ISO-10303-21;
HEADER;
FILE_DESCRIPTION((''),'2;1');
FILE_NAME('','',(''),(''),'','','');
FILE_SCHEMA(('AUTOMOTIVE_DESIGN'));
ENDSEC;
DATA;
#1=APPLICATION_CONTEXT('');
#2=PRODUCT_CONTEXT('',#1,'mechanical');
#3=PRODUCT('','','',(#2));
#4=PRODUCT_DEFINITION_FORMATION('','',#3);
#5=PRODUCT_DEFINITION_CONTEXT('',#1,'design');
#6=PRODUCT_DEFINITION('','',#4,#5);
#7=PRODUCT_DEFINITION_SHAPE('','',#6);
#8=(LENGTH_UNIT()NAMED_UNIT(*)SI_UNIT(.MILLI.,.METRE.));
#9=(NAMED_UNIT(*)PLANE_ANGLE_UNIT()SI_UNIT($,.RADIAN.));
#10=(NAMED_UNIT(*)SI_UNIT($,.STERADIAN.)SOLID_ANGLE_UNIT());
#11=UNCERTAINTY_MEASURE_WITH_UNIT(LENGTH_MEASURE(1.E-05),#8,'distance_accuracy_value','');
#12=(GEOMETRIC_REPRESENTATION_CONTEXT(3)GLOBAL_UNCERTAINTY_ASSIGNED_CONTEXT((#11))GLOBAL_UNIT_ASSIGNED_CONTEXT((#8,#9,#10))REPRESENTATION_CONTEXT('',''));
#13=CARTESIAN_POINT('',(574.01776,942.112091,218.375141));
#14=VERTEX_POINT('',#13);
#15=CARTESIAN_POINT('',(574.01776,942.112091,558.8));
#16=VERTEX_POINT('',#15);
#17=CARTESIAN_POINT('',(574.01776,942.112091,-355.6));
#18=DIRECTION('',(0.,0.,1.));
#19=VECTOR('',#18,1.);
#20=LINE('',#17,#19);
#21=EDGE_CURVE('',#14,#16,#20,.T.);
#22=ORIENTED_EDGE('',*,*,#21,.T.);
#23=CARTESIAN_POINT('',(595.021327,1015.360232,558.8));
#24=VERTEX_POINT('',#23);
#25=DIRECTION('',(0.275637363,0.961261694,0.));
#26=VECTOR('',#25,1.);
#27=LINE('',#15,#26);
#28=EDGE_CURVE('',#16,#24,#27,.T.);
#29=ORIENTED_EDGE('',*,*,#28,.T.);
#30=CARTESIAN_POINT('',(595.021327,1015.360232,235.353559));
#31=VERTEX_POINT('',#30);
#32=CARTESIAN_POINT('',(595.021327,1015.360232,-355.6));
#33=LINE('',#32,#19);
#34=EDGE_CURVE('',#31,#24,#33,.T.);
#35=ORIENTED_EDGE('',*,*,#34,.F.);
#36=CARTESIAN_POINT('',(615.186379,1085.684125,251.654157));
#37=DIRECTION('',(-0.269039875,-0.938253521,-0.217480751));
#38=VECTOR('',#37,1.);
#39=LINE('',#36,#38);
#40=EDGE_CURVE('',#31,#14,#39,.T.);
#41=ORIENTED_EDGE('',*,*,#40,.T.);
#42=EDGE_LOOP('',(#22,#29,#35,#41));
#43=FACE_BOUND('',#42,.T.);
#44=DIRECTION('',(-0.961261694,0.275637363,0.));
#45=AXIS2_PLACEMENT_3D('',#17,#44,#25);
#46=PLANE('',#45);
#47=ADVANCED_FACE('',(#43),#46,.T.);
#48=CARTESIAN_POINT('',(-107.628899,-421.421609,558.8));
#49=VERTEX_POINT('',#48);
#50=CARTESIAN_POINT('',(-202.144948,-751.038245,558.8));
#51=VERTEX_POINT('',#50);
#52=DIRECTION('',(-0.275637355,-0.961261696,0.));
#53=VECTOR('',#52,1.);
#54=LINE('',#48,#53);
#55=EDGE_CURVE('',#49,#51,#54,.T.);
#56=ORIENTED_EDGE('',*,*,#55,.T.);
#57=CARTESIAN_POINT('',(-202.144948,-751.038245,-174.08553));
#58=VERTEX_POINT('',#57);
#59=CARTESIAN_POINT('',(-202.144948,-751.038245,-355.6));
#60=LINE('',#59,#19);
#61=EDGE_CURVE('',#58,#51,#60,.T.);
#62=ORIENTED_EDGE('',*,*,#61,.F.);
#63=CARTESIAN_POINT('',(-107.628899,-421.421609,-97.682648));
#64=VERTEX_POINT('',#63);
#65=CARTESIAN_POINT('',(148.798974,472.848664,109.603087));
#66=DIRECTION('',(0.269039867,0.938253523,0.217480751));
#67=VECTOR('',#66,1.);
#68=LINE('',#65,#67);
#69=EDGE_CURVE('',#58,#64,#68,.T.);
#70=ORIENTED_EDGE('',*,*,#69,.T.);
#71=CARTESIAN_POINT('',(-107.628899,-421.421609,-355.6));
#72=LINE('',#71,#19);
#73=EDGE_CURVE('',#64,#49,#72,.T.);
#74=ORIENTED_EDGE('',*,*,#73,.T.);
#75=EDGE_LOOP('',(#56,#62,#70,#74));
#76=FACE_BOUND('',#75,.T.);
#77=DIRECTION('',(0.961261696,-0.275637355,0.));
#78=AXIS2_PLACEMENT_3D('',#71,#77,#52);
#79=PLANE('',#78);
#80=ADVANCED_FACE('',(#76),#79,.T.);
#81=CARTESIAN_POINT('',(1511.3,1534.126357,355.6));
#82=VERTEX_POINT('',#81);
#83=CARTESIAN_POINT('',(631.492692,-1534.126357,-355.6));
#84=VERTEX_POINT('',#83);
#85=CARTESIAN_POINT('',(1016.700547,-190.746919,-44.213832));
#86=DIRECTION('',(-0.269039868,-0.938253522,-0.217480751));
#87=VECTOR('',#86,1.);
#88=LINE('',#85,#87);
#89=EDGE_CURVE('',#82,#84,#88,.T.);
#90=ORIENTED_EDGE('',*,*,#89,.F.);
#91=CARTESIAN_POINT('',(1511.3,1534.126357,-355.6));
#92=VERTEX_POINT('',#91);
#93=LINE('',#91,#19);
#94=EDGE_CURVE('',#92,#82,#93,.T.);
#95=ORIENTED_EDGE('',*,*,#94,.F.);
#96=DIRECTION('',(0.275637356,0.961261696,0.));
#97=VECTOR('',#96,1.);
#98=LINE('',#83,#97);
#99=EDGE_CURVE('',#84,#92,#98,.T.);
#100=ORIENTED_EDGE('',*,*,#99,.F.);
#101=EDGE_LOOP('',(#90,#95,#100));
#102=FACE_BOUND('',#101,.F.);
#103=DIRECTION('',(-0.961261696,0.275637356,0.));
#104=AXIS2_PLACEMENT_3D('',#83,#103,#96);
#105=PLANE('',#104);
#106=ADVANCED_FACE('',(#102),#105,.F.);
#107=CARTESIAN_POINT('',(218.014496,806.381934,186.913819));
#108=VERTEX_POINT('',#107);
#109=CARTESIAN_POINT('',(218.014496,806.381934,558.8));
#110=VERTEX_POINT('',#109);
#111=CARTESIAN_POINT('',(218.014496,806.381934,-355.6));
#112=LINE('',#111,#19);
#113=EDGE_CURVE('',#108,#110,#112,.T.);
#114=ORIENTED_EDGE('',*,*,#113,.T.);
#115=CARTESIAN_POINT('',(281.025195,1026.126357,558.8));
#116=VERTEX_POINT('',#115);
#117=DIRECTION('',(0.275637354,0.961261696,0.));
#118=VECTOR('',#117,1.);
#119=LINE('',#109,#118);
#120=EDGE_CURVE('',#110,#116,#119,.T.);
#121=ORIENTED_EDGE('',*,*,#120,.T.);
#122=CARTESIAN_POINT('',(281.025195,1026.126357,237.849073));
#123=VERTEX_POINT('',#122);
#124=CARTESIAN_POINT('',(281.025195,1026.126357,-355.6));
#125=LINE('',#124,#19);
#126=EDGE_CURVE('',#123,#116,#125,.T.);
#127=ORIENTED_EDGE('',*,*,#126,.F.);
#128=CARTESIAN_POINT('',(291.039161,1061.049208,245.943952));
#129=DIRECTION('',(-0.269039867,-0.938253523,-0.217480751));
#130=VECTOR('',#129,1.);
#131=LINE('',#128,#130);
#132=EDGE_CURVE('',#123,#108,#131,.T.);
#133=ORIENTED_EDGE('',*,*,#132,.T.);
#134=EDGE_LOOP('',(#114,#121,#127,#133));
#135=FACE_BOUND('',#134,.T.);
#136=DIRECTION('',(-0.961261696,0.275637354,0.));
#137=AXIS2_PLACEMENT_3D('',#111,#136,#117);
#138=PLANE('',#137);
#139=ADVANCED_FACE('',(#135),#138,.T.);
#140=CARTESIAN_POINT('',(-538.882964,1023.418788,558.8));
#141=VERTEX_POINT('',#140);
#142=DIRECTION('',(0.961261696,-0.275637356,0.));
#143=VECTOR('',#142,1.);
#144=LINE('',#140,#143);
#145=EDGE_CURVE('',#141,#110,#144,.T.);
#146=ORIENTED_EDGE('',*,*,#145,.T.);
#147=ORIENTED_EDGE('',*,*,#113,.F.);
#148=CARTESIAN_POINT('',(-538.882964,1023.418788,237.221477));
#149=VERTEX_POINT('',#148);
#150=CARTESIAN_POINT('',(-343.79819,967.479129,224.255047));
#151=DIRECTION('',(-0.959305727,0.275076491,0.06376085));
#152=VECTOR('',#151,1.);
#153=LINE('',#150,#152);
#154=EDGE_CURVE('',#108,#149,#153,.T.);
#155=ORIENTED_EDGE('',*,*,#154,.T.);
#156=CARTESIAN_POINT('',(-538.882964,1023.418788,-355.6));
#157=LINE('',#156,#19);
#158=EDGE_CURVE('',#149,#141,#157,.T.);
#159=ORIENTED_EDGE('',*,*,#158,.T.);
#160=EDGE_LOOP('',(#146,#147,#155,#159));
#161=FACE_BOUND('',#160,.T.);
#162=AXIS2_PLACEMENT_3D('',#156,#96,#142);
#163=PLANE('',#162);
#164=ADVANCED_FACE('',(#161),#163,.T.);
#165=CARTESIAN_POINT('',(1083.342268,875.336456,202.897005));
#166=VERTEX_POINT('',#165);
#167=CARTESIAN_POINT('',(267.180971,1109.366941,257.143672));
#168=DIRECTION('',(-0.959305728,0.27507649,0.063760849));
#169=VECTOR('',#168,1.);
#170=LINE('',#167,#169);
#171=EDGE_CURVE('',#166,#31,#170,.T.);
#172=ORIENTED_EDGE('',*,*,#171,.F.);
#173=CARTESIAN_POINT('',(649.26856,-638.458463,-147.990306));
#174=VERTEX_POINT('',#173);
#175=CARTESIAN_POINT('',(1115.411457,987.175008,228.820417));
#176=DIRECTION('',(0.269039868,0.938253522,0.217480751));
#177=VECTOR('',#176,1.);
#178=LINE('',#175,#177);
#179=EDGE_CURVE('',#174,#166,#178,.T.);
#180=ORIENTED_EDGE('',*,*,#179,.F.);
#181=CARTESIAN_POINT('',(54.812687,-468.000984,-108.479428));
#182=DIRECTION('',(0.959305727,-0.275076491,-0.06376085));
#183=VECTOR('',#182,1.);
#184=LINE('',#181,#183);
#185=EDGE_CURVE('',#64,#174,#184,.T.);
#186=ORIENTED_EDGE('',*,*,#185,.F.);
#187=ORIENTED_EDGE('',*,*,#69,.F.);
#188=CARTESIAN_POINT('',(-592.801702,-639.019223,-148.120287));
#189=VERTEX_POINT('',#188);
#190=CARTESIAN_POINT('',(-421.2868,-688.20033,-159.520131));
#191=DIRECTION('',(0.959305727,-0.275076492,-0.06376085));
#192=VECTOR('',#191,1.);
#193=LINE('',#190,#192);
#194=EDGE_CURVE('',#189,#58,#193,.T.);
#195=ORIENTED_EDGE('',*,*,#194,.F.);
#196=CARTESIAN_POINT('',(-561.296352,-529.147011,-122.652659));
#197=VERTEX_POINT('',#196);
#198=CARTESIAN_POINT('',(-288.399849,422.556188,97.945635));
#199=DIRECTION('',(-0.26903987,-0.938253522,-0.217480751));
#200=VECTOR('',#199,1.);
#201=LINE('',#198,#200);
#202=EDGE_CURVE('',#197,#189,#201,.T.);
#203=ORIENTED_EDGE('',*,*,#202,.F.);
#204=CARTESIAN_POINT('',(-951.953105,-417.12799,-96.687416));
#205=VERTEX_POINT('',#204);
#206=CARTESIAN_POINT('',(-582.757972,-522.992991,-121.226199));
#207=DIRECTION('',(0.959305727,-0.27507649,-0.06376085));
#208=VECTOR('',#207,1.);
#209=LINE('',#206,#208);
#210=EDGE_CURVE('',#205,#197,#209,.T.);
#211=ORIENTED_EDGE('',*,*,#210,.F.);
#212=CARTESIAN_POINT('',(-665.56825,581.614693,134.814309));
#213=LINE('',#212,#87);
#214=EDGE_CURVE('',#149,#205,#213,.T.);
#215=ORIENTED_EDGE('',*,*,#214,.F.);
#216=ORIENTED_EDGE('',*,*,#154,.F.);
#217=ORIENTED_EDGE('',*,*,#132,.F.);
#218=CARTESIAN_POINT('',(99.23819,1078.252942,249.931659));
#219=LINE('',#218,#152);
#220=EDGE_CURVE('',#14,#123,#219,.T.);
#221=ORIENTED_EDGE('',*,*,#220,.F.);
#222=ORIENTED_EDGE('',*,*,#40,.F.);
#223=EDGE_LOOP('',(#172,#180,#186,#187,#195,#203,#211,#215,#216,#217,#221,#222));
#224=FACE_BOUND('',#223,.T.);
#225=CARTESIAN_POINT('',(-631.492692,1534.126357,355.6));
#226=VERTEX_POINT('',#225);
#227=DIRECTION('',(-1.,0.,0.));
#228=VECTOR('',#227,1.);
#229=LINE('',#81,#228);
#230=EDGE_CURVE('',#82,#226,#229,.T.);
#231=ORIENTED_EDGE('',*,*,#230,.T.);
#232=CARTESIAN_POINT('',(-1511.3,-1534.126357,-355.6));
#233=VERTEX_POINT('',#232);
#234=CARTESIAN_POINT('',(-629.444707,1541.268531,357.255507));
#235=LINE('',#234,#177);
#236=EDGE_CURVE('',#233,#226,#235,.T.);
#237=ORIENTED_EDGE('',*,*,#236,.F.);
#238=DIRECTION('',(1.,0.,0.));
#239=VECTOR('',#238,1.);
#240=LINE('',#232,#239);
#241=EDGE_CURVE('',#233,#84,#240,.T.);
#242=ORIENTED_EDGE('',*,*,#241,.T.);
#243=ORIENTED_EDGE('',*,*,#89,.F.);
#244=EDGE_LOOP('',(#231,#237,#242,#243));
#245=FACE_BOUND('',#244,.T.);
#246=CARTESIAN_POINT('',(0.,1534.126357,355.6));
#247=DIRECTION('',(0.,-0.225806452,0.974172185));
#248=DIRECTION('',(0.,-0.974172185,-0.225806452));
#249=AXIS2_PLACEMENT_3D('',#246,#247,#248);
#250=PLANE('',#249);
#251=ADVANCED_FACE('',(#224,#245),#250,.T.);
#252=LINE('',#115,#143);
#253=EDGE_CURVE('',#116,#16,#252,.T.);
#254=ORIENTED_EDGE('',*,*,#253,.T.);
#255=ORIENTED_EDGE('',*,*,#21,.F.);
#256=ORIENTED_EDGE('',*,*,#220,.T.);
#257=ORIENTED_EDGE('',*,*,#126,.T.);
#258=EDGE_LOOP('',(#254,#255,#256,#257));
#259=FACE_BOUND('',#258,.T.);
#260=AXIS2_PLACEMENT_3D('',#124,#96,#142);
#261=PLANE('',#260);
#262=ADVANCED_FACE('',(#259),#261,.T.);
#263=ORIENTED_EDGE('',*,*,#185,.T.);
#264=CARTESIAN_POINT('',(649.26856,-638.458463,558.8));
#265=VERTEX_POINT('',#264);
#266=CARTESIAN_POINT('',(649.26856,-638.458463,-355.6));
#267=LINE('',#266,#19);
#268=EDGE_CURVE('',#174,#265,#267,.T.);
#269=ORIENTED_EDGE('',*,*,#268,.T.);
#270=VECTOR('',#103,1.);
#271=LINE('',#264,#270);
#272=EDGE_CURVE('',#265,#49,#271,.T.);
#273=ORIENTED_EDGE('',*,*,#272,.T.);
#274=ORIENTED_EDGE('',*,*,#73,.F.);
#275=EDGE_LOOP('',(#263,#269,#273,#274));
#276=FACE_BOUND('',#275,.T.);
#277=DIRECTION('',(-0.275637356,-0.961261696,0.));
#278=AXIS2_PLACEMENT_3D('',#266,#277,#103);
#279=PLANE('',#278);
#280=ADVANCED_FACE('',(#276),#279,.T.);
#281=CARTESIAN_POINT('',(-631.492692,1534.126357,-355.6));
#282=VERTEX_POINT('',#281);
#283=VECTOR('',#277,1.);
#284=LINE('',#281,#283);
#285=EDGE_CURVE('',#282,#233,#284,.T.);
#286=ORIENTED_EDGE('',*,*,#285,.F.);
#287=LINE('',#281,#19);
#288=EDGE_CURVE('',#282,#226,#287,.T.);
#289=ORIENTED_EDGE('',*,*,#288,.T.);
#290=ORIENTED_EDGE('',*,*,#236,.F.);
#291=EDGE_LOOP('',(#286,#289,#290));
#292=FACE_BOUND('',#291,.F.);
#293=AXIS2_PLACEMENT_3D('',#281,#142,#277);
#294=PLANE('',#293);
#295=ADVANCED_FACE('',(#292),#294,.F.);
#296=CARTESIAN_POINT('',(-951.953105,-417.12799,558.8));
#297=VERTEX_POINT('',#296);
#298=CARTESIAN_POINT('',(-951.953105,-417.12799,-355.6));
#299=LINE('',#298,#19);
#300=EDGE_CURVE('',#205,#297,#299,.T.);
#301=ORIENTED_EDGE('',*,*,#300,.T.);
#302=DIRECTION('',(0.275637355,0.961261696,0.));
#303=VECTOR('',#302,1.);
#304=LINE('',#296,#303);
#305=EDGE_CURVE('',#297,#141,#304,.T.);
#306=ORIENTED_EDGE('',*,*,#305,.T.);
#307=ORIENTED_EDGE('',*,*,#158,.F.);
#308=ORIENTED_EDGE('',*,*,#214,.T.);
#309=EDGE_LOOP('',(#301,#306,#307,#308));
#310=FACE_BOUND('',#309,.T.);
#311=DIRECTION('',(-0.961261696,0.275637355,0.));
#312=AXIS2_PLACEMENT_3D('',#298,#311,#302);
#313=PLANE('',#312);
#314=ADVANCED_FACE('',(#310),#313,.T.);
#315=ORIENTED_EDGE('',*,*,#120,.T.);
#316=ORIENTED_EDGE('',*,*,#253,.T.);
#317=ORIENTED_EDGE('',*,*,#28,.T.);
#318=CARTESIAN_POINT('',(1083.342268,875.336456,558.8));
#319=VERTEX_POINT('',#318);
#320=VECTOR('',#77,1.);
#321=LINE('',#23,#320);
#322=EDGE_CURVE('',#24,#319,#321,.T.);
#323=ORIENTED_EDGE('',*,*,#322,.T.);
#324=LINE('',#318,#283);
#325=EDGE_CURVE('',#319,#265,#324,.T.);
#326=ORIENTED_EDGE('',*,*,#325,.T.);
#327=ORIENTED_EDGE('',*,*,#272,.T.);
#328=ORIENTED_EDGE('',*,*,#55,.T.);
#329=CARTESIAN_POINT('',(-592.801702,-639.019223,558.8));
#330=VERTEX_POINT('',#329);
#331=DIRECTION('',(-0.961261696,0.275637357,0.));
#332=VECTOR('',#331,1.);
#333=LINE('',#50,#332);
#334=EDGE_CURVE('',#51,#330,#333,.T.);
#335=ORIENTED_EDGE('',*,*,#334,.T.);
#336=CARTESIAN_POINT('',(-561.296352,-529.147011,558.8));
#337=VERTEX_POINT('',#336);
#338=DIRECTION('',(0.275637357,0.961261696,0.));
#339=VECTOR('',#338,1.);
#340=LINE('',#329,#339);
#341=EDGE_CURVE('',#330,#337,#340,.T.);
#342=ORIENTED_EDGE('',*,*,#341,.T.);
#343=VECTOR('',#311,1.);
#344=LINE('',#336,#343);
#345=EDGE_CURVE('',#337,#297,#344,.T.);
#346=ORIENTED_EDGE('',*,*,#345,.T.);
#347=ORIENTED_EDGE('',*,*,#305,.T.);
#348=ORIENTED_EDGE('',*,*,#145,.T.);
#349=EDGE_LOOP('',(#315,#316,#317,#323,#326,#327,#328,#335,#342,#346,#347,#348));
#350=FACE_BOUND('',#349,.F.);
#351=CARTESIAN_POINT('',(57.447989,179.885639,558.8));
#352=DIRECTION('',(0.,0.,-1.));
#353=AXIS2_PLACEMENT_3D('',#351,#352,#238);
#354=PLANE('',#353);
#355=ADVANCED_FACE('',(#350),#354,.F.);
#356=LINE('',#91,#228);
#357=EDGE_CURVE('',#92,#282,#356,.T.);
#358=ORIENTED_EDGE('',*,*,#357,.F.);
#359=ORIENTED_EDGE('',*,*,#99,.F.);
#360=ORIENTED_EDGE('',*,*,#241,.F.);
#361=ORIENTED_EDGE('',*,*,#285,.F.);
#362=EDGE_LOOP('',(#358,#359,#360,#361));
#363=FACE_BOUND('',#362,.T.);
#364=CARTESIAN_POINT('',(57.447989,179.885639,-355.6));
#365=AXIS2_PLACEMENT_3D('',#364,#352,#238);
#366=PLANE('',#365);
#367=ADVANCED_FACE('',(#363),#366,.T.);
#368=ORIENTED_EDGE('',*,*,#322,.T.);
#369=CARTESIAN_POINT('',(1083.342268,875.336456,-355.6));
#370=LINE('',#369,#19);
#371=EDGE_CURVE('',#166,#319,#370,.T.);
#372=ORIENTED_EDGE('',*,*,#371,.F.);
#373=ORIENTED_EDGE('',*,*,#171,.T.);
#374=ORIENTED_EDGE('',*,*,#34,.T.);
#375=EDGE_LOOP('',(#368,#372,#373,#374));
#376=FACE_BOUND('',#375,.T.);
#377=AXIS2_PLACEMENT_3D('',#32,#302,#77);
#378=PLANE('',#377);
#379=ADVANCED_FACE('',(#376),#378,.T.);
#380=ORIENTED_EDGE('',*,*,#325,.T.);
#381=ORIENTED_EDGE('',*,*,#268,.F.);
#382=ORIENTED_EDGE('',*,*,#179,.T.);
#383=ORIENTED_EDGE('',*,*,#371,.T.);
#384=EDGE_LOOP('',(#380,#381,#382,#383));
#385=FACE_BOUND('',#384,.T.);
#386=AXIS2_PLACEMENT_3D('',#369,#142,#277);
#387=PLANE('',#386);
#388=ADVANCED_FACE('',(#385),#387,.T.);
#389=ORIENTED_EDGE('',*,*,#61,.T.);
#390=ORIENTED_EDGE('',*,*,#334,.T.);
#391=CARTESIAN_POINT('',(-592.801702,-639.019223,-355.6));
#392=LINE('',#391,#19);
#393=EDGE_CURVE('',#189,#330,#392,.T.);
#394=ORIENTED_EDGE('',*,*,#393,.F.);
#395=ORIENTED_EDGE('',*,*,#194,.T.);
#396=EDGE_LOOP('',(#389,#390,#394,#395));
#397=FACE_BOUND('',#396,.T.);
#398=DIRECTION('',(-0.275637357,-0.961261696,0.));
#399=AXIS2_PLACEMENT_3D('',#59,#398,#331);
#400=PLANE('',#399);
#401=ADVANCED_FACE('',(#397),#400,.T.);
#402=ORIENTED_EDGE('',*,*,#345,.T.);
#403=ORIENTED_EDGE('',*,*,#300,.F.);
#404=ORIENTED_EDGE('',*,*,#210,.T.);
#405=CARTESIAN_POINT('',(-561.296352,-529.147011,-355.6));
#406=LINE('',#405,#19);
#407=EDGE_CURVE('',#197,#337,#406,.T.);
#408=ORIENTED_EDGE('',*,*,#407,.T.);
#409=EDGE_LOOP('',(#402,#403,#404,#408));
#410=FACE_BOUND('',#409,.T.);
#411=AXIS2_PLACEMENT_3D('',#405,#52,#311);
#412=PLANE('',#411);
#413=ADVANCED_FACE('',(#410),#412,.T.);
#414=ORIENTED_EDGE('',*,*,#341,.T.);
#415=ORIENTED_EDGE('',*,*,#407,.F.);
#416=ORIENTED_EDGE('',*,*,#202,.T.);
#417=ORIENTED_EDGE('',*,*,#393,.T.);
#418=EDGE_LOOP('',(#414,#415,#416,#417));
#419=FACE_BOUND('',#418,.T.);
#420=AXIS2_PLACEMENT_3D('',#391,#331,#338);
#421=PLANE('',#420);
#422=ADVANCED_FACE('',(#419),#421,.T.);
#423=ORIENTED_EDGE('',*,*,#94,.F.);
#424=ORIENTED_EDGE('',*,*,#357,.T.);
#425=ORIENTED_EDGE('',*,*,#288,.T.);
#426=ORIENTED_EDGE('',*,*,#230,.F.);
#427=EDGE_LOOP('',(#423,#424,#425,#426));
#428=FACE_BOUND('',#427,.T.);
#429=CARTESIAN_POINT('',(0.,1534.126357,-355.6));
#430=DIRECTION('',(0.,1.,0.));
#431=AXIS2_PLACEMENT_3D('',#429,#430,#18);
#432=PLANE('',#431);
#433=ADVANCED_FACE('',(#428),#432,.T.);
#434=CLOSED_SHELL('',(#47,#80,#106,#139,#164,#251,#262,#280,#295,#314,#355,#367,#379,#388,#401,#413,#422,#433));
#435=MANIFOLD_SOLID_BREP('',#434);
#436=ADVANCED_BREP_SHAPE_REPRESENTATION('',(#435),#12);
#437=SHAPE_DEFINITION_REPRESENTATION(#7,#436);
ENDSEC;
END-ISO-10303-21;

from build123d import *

# Parameters (mm, degrees)
F1_DEPTH = 1511.3
F3_DEPTH = 711.201
F5_DEPTH = 914.4


with BuildPart() as f1:
    # F0 (on Right) → F1 (new body, symmetric)
    with BuildSketch(Plane.YZ):
        Polygon((1534.126357, 355.6), (0, 0), (-1534.126357, -355.6), (1534.126357, -355.6), align=None)
    extrude(amount=F1_DEPTH, both=True)

    # F2 (on face) → F3 (cut, through all)
    with BuildSketch(Plane(origin=(0, 0, -355.6), x_dir=(1, 0, 0), z_dir=(0, 0, -1))):
        Polygon((631.492692, 1534.126357), (1511.3, -1534.126357), (1511.3, 1534.126357), align=None)
        Polygon((-631.492692, -1534.126357), (-1511.3, 1534.126357), (-1511.3, -1534.126357), align=None)
    extrude(amount=-F3_DEPTH, mode=Mode.SUBTRACT)

    # F4 (on face) → F5 (join)
    with BuildSketch(Plane(origin=(0, 0, -355.6), x_dir=(1, 0, 0), z_dir=(0, 0, -1))):
        Polygon((-951.953105, 417.12799), (-538.882964, -1023.418788), (218.014496, -806.381934), (281.025195, -1026.126357), (574.01776, -942.112091), (595.021327, -1015.360232), (1083.342268, -875.336456), (649.26856, 638.458463), (-107.628899, 421.421609), (-202.144948, 751.038245), (-592.801702, 639.019223), (-561.296352, 529.147011), align=None)
    extrude(amount=-F5_DEPTH)


solid = f1.part
